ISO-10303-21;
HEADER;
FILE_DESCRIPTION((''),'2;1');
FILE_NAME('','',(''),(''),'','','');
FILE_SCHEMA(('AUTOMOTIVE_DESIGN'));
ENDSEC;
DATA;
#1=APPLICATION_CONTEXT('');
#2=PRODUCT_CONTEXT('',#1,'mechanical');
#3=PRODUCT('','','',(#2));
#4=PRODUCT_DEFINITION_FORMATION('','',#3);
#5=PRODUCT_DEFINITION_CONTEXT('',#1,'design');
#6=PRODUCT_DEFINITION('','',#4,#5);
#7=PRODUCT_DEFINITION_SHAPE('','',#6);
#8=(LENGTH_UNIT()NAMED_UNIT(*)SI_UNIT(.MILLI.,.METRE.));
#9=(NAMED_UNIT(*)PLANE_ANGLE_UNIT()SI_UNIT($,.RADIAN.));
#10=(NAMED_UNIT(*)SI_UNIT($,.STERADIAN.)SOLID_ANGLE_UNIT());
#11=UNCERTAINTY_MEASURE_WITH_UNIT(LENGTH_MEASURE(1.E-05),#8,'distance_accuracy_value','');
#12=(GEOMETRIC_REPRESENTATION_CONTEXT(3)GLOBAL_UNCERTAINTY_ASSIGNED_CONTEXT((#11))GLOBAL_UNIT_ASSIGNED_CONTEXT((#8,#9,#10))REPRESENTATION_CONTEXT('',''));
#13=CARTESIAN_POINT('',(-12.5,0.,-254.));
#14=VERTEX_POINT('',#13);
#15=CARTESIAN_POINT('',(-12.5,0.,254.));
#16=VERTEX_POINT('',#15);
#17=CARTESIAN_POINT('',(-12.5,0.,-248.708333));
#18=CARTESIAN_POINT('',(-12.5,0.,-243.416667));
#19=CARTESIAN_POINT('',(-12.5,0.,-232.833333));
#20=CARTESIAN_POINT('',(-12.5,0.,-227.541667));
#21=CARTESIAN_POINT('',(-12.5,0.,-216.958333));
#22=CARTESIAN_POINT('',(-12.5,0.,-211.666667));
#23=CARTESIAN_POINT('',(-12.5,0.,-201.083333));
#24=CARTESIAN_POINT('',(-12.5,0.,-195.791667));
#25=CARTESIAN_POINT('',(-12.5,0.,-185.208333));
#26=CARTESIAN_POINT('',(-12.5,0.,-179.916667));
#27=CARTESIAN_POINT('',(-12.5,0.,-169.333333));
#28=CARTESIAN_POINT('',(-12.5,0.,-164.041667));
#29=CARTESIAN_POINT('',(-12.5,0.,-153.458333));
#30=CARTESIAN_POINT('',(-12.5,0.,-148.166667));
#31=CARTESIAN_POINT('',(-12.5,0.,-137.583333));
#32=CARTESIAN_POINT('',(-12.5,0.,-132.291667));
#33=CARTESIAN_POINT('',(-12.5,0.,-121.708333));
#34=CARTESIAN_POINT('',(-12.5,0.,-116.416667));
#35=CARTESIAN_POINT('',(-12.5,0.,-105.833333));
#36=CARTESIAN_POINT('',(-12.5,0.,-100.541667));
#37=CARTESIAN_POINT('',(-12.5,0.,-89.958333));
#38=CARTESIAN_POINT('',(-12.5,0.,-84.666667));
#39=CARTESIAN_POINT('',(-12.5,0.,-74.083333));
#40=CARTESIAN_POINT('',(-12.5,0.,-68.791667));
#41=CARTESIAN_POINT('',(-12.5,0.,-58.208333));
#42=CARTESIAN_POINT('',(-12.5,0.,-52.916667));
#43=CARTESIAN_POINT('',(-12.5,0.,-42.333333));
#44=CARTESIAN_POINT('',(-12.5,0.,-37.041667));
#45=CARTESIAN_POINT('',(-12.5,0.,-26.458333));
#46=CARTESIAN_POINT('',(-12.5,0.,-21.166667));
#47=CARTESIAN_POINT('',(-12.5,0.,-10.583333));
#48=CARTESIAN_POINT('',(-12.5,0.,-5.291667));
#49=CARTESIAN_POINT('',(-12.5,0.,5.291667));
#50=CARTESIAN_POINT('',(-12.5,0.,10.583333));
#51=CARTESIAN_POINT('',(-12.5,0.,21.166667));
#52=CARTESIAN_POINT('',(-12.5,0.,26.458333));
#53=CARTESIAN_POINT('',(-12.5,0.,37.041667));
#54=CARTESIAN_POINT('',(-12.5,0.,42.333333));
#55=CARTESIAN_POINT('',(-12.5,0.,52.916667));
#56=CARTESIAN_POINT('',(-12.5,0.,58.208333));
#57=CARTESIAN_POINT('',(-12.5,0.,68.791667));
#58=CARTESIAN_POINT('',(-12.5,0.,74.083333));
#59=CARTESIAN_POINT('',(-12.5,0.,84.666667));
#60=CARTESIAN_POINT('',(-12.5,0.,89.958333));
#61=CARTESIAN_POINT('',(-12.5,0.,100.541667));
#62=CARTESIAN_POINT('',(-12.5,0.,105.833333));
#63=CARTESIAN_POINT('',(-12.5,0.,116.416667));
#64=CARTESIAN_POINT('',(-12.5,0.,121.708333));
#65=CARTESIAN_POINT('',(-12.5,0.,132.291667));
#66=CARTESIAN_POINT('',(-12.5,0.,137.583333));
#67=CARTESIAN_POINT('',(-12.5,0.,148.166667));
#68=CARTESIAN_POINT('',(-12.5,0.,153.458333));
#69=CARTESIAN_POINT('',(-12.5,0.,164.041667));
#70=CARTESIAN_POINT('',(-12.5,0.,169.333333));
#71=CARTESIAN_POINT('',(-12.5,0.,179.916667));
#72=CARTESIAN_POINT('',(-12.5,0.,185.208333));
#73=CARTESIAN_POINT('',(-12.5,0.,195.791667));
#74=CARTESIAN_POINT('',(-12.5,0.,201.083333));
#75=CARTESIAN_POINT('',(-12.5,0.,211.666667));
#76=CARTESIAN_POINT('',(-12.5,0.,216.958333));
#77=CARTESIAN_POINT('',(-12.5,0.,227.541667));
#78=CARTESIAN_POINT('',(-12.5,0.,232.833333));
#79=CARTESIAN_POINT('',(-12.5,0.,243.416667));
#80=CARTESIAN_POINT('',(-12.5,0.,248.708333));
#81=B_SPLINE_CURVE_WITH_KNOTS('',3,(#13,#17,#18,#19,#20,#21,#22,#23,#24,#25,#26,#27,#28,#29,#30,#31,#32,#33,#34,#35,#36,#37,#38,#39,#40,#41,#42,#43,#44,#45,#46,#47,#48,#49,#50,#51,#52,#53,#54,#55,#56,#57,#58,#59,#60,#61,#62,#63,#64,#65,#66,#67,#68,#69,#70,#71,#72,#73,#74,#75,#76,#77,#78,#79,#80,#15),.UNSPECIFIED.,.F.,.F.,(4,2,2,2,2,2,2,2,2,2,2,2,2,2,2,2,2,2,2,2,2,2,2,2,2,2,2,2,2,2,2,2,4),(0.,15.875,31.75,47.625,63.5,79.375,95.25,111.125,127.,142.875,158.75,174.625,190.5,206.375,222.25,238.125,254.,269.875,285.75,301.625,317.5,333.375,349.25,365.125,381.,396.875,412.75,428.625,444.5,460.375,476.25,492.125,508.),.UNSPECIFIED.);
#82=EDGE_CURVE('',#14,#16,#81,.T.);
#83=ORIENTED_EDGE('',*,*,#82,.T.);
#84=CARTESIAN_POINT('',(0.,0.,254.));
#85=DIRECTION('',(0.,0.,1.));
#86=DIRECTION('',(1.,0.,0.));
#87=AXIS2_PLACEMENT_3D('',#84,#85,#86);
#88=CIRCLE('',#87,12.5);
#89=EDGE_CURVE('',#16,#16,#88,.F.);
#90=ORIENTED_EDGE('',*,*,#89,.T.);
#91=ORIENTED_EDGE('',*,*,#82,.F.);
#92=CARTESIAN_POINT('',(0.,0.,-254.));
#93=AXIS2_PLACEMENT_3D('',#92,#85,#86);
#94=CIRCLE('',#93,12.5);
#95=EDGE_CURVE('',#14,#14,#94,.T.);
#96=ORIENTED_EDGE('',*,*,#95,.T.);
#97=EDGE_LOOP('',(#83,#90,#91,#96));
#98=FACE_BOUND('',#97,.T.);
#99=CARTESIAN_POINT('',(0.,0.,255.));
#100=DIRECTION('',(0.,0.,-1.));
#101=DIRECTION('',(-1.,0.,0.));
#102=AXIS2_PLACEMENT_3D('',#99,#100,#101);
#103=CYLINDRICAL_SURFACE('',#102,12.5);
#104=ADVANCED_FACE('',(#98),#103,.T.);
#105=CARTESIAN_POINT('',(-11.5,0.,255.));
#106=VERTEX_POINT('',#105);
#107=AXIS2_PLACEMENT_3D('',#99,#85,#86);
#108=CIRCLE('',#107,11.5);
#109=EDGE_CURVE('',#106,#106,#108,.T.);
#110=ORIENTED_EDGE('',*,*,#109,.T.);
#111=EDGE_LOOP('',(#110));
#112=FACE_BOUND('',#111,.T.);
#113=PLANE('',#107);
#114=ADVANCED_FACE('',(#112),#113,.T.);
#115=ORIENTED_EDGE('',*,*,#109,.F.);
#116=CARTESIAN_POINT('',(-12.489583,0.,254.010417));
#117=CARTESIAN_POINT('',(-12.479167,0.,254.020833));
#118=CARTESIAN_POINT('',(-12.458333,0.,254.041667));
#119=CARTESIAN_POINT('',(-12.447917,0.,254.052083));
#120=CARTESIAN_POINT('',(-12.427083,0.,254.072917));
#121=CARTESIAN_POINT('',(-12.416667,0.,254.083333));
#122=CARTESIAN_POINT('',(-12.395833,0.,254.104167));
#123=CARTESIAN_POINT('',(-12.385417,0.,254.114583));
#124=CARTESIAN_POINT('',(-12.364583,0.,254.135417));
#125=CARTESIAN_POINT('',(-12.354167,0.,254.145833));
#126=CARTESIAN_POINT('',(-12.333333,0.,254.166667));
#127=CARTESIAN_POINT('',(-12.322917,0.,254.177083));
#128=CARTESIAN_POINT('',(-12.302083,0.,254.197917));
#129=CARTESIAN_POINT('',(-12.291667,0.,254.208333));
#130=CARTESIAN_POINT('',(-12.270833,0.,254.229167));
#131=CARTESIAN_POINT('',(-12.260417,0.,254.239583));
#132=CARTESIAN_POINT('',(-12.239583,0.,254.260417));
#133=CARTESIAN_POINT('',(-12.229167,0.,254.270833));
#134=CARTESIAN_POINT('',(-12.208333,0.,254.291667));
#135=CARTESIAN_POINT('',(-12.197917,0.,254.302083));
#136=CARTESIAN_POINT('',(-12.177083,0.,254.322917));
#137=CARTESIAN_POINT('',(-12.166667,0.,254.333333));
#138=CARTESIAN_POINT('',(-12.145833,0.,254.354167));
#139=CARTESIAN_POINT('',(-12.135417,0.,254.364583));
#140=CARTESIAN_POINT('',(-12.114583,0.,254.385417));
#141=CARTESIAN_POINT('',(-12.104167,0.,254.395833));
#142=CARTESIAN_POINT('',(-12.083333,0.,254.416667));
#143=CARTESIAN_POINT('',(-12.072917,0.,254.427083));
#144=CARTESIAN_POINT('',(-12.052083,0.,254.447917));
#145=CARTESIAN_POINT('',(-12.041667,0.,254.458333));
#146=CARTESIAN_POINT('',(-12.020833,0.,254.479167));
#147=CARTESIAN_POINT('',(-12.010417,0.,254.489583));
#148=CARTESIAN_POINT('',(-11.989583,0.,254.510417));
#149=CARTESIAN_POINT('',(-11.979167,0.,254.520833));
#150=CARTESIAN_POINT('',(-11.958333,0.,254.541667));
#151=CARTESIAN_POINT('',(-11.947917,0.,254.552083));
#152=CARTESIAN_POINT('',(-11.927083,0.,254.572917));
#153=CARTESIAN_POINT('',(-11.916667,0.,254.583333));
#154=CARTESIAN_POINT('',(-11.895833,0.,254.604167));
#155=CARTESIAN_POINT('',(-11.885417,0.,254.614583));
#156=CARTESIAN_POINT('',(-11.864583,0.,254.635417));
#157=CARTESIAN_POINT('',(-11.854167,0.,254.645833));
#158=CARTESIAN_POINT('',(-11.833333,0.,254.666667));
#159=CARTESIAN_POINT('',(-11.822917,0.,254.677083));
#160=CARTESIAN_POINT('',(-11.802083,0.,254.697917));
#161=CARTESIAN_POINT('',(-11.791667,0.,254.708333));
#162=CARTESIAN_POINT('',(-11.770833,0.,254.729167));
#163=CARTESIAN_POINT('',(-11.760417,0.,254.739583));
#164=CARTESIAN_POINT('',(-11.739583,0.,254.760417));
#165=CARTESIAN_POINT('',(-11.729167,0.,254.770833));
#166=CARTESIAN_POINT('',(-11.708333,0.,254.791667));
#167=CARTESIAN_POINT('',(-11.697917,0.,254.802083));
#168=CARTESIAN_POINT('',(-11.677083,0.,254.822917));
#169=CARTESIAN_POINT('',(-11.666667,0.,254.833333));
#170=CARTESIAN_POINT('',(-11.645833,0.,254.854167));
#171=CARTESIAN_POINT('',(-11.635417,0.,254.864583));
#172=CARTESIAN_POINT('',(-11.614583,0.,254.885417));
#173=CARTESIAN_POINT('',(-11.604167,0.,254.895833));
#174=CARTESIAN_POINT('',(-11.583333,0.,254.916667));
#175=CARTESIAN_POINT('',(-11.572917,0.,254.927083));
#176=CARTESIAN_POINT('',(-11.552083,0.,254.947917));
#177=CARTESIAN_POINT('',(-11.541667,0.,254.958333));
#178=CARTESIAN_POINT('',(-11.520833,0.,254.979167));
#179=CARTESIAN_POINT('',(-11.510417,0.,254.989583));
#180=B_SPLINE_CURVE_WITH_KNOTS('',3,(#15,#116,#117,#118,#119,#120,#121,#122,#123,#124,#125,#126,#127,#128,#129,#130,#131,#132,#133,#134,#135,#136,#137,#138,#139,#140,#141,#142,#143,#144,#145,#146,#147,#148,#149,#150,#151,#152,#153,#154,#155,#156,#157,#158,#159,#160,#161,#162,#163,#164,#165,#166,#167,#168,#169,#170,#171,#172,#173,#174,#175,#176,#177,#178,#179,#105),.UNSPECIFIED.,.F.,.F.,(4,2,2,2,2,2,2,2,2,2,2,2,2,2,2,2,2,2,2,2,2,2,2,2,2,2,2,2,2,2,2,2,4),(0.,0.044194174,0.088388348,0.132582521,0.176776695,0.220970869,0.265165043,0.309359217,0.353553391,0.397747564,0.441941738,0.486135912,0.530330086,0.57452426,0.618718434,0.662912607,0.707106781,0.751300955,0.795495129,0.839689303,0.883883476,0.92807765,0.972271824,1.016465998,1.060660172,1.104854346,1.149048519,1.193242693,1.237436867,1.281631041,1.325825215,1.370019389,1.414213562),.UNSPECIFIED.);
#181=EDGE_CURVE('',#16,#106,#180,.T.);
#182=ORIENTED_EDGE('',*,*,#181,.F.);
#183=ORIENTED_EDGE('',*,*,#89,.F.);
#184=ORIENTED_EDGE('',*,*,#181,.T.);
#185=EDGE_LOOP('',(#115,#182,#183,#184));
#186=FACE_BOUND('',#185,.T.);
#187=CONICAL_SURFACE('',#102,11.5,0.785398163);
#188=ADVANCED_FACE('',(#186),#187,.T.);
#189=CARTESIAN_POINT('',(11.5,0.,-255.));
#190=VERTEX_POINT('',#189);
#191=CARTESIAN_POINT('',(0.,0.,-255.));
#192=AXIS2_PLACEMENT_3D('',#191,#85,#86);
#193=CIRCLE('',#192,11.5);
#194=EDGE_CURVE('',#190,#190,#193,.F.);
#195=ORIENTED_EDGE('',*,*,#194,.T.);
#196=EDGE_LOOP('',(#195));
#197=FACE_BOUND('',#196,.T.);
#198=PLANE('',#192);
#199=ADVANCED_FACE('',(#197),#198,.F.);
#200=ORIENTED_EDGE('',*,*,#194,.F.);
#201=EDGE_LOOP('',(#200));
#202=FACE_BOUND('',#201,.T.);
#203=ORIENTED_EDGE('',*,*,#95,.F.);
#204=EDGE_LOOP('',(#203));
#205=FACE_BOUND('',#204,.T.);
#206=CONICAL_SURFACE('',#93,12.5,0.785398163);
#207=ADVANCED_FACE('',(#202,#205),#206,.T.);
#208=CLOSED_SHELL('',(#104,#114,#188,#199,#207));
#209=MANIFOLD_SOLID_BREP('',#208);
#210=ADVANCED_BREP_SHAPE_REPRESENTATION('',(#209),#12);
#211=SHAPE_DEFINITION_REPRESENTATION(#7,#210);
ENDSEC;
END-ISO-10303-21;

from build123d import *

# Parameters (mm, degrees)
SKETCH_1_R      = 12.5
EXTRUDE_1_DEPTH = 255
CHAMFER_1_SIZE  = 1


with BuildPart() as part:
    # Эскиз1 → Бобышка-Вытянуть1 (new, symmetric)
    with BuildSketch(Plane.XY):
        Circle(SKETCH_1_R)
    extrude(amount=EXTRUDE_1_DEPTH, both=True)

    # Фаска1
    chamfer_1_edges = [part.edges().sort_by_distance(p)[0] for p in [
        (-12.5, 0, -255),
        (-12.5, 0, 255),
    ]]
    chamfer(chamfer_1_edges, length=CHAMFER_1_SIZE)


solid = part.part
